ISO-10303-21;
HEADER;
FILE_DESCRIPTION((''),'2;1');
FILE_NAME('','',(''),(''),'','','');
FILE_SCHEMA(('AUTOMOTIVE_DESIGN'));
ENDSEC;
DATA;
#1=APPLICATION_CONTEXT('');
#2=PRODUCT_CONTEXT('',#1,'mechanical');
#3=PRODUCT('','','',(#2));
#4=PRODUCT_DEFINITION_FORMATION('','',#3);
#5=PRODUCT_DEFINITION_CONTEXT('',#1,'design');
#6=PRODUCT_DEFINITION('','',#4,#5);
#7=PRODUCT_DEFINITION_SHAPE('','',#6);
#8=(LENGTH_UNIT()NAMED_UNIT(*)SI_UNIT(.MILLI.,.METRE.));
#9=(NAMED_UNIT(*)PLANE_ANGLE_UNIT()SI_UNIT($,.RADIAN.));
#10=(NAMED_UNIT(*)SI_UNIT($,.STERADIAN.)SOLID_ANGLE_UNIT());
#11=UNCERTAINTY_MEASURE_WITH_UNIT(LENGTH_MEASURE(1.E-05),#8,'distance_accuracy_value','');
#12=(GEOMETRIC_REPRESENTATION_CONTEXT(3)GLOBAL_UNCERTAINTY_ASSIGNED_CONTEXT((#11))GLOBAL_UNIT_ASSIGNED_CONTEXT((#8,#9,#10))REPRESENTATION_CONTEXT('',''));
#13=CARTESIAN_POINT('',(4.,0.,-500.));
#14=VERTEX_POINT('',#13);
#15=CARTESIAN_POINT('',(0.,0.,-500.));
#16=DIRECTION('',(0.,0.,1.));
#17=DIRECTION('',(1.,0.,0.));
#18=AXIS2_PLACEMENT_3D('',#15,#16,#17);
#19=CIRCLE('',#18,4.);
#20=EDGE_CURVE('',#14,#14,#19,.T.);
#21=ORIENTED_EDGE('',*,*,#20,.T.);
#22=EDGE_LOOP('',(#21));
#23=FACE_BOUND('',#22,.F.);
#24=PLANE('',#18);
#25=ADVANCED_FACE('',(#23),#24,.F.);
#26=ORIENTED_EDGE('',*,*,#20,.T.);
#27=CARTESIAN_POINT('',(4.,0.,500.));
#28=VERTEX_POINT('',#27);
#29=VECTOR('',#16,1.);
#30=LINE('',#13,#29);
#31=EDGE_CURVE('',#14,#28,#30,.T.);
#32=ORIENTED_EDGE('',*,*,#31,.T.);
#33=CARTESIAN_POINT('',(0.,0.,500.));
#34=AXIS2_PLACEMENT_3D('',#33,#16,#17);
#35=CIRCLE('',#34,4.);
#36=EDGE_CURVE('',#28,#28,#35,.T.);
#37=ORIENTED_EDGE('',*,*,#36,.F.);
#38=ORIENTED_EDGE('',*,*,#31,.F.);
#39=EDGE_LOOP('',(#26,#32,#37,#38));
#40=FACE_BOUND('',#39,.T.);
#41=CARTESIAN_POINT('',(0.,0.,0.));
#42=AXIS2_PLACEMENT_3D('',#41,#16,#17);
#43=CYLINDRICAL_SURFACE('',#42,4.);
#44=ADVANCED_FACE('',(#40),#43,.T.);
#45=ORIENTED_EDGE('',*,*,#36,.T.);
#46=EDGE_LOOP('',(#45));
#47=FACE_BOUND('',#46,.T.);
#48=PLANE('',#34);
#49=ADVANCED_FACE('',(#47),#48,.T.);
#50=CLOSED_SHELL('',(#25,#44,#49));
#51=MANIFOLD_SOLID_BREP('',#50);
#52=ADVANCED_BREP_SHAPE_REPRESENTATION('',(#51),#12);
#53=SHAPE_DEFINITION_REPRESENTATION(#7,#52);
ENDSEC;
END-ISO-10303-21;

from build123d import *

# Parameters (mm, degrees)
SKETCH1_R           = 4
BOSS_EXTRUDE1_DEPTH = 500


with BuildPart() as part:
    # Sketch1 → Boss-Extrude1 (new body, symmetric)
    with BuildSketch(Plane.XY):
        Circle(SKETCH1_R)
    extrude(amount=BOSS_EXTRUDE1_DEPTH, both=True)


solid = part.part
